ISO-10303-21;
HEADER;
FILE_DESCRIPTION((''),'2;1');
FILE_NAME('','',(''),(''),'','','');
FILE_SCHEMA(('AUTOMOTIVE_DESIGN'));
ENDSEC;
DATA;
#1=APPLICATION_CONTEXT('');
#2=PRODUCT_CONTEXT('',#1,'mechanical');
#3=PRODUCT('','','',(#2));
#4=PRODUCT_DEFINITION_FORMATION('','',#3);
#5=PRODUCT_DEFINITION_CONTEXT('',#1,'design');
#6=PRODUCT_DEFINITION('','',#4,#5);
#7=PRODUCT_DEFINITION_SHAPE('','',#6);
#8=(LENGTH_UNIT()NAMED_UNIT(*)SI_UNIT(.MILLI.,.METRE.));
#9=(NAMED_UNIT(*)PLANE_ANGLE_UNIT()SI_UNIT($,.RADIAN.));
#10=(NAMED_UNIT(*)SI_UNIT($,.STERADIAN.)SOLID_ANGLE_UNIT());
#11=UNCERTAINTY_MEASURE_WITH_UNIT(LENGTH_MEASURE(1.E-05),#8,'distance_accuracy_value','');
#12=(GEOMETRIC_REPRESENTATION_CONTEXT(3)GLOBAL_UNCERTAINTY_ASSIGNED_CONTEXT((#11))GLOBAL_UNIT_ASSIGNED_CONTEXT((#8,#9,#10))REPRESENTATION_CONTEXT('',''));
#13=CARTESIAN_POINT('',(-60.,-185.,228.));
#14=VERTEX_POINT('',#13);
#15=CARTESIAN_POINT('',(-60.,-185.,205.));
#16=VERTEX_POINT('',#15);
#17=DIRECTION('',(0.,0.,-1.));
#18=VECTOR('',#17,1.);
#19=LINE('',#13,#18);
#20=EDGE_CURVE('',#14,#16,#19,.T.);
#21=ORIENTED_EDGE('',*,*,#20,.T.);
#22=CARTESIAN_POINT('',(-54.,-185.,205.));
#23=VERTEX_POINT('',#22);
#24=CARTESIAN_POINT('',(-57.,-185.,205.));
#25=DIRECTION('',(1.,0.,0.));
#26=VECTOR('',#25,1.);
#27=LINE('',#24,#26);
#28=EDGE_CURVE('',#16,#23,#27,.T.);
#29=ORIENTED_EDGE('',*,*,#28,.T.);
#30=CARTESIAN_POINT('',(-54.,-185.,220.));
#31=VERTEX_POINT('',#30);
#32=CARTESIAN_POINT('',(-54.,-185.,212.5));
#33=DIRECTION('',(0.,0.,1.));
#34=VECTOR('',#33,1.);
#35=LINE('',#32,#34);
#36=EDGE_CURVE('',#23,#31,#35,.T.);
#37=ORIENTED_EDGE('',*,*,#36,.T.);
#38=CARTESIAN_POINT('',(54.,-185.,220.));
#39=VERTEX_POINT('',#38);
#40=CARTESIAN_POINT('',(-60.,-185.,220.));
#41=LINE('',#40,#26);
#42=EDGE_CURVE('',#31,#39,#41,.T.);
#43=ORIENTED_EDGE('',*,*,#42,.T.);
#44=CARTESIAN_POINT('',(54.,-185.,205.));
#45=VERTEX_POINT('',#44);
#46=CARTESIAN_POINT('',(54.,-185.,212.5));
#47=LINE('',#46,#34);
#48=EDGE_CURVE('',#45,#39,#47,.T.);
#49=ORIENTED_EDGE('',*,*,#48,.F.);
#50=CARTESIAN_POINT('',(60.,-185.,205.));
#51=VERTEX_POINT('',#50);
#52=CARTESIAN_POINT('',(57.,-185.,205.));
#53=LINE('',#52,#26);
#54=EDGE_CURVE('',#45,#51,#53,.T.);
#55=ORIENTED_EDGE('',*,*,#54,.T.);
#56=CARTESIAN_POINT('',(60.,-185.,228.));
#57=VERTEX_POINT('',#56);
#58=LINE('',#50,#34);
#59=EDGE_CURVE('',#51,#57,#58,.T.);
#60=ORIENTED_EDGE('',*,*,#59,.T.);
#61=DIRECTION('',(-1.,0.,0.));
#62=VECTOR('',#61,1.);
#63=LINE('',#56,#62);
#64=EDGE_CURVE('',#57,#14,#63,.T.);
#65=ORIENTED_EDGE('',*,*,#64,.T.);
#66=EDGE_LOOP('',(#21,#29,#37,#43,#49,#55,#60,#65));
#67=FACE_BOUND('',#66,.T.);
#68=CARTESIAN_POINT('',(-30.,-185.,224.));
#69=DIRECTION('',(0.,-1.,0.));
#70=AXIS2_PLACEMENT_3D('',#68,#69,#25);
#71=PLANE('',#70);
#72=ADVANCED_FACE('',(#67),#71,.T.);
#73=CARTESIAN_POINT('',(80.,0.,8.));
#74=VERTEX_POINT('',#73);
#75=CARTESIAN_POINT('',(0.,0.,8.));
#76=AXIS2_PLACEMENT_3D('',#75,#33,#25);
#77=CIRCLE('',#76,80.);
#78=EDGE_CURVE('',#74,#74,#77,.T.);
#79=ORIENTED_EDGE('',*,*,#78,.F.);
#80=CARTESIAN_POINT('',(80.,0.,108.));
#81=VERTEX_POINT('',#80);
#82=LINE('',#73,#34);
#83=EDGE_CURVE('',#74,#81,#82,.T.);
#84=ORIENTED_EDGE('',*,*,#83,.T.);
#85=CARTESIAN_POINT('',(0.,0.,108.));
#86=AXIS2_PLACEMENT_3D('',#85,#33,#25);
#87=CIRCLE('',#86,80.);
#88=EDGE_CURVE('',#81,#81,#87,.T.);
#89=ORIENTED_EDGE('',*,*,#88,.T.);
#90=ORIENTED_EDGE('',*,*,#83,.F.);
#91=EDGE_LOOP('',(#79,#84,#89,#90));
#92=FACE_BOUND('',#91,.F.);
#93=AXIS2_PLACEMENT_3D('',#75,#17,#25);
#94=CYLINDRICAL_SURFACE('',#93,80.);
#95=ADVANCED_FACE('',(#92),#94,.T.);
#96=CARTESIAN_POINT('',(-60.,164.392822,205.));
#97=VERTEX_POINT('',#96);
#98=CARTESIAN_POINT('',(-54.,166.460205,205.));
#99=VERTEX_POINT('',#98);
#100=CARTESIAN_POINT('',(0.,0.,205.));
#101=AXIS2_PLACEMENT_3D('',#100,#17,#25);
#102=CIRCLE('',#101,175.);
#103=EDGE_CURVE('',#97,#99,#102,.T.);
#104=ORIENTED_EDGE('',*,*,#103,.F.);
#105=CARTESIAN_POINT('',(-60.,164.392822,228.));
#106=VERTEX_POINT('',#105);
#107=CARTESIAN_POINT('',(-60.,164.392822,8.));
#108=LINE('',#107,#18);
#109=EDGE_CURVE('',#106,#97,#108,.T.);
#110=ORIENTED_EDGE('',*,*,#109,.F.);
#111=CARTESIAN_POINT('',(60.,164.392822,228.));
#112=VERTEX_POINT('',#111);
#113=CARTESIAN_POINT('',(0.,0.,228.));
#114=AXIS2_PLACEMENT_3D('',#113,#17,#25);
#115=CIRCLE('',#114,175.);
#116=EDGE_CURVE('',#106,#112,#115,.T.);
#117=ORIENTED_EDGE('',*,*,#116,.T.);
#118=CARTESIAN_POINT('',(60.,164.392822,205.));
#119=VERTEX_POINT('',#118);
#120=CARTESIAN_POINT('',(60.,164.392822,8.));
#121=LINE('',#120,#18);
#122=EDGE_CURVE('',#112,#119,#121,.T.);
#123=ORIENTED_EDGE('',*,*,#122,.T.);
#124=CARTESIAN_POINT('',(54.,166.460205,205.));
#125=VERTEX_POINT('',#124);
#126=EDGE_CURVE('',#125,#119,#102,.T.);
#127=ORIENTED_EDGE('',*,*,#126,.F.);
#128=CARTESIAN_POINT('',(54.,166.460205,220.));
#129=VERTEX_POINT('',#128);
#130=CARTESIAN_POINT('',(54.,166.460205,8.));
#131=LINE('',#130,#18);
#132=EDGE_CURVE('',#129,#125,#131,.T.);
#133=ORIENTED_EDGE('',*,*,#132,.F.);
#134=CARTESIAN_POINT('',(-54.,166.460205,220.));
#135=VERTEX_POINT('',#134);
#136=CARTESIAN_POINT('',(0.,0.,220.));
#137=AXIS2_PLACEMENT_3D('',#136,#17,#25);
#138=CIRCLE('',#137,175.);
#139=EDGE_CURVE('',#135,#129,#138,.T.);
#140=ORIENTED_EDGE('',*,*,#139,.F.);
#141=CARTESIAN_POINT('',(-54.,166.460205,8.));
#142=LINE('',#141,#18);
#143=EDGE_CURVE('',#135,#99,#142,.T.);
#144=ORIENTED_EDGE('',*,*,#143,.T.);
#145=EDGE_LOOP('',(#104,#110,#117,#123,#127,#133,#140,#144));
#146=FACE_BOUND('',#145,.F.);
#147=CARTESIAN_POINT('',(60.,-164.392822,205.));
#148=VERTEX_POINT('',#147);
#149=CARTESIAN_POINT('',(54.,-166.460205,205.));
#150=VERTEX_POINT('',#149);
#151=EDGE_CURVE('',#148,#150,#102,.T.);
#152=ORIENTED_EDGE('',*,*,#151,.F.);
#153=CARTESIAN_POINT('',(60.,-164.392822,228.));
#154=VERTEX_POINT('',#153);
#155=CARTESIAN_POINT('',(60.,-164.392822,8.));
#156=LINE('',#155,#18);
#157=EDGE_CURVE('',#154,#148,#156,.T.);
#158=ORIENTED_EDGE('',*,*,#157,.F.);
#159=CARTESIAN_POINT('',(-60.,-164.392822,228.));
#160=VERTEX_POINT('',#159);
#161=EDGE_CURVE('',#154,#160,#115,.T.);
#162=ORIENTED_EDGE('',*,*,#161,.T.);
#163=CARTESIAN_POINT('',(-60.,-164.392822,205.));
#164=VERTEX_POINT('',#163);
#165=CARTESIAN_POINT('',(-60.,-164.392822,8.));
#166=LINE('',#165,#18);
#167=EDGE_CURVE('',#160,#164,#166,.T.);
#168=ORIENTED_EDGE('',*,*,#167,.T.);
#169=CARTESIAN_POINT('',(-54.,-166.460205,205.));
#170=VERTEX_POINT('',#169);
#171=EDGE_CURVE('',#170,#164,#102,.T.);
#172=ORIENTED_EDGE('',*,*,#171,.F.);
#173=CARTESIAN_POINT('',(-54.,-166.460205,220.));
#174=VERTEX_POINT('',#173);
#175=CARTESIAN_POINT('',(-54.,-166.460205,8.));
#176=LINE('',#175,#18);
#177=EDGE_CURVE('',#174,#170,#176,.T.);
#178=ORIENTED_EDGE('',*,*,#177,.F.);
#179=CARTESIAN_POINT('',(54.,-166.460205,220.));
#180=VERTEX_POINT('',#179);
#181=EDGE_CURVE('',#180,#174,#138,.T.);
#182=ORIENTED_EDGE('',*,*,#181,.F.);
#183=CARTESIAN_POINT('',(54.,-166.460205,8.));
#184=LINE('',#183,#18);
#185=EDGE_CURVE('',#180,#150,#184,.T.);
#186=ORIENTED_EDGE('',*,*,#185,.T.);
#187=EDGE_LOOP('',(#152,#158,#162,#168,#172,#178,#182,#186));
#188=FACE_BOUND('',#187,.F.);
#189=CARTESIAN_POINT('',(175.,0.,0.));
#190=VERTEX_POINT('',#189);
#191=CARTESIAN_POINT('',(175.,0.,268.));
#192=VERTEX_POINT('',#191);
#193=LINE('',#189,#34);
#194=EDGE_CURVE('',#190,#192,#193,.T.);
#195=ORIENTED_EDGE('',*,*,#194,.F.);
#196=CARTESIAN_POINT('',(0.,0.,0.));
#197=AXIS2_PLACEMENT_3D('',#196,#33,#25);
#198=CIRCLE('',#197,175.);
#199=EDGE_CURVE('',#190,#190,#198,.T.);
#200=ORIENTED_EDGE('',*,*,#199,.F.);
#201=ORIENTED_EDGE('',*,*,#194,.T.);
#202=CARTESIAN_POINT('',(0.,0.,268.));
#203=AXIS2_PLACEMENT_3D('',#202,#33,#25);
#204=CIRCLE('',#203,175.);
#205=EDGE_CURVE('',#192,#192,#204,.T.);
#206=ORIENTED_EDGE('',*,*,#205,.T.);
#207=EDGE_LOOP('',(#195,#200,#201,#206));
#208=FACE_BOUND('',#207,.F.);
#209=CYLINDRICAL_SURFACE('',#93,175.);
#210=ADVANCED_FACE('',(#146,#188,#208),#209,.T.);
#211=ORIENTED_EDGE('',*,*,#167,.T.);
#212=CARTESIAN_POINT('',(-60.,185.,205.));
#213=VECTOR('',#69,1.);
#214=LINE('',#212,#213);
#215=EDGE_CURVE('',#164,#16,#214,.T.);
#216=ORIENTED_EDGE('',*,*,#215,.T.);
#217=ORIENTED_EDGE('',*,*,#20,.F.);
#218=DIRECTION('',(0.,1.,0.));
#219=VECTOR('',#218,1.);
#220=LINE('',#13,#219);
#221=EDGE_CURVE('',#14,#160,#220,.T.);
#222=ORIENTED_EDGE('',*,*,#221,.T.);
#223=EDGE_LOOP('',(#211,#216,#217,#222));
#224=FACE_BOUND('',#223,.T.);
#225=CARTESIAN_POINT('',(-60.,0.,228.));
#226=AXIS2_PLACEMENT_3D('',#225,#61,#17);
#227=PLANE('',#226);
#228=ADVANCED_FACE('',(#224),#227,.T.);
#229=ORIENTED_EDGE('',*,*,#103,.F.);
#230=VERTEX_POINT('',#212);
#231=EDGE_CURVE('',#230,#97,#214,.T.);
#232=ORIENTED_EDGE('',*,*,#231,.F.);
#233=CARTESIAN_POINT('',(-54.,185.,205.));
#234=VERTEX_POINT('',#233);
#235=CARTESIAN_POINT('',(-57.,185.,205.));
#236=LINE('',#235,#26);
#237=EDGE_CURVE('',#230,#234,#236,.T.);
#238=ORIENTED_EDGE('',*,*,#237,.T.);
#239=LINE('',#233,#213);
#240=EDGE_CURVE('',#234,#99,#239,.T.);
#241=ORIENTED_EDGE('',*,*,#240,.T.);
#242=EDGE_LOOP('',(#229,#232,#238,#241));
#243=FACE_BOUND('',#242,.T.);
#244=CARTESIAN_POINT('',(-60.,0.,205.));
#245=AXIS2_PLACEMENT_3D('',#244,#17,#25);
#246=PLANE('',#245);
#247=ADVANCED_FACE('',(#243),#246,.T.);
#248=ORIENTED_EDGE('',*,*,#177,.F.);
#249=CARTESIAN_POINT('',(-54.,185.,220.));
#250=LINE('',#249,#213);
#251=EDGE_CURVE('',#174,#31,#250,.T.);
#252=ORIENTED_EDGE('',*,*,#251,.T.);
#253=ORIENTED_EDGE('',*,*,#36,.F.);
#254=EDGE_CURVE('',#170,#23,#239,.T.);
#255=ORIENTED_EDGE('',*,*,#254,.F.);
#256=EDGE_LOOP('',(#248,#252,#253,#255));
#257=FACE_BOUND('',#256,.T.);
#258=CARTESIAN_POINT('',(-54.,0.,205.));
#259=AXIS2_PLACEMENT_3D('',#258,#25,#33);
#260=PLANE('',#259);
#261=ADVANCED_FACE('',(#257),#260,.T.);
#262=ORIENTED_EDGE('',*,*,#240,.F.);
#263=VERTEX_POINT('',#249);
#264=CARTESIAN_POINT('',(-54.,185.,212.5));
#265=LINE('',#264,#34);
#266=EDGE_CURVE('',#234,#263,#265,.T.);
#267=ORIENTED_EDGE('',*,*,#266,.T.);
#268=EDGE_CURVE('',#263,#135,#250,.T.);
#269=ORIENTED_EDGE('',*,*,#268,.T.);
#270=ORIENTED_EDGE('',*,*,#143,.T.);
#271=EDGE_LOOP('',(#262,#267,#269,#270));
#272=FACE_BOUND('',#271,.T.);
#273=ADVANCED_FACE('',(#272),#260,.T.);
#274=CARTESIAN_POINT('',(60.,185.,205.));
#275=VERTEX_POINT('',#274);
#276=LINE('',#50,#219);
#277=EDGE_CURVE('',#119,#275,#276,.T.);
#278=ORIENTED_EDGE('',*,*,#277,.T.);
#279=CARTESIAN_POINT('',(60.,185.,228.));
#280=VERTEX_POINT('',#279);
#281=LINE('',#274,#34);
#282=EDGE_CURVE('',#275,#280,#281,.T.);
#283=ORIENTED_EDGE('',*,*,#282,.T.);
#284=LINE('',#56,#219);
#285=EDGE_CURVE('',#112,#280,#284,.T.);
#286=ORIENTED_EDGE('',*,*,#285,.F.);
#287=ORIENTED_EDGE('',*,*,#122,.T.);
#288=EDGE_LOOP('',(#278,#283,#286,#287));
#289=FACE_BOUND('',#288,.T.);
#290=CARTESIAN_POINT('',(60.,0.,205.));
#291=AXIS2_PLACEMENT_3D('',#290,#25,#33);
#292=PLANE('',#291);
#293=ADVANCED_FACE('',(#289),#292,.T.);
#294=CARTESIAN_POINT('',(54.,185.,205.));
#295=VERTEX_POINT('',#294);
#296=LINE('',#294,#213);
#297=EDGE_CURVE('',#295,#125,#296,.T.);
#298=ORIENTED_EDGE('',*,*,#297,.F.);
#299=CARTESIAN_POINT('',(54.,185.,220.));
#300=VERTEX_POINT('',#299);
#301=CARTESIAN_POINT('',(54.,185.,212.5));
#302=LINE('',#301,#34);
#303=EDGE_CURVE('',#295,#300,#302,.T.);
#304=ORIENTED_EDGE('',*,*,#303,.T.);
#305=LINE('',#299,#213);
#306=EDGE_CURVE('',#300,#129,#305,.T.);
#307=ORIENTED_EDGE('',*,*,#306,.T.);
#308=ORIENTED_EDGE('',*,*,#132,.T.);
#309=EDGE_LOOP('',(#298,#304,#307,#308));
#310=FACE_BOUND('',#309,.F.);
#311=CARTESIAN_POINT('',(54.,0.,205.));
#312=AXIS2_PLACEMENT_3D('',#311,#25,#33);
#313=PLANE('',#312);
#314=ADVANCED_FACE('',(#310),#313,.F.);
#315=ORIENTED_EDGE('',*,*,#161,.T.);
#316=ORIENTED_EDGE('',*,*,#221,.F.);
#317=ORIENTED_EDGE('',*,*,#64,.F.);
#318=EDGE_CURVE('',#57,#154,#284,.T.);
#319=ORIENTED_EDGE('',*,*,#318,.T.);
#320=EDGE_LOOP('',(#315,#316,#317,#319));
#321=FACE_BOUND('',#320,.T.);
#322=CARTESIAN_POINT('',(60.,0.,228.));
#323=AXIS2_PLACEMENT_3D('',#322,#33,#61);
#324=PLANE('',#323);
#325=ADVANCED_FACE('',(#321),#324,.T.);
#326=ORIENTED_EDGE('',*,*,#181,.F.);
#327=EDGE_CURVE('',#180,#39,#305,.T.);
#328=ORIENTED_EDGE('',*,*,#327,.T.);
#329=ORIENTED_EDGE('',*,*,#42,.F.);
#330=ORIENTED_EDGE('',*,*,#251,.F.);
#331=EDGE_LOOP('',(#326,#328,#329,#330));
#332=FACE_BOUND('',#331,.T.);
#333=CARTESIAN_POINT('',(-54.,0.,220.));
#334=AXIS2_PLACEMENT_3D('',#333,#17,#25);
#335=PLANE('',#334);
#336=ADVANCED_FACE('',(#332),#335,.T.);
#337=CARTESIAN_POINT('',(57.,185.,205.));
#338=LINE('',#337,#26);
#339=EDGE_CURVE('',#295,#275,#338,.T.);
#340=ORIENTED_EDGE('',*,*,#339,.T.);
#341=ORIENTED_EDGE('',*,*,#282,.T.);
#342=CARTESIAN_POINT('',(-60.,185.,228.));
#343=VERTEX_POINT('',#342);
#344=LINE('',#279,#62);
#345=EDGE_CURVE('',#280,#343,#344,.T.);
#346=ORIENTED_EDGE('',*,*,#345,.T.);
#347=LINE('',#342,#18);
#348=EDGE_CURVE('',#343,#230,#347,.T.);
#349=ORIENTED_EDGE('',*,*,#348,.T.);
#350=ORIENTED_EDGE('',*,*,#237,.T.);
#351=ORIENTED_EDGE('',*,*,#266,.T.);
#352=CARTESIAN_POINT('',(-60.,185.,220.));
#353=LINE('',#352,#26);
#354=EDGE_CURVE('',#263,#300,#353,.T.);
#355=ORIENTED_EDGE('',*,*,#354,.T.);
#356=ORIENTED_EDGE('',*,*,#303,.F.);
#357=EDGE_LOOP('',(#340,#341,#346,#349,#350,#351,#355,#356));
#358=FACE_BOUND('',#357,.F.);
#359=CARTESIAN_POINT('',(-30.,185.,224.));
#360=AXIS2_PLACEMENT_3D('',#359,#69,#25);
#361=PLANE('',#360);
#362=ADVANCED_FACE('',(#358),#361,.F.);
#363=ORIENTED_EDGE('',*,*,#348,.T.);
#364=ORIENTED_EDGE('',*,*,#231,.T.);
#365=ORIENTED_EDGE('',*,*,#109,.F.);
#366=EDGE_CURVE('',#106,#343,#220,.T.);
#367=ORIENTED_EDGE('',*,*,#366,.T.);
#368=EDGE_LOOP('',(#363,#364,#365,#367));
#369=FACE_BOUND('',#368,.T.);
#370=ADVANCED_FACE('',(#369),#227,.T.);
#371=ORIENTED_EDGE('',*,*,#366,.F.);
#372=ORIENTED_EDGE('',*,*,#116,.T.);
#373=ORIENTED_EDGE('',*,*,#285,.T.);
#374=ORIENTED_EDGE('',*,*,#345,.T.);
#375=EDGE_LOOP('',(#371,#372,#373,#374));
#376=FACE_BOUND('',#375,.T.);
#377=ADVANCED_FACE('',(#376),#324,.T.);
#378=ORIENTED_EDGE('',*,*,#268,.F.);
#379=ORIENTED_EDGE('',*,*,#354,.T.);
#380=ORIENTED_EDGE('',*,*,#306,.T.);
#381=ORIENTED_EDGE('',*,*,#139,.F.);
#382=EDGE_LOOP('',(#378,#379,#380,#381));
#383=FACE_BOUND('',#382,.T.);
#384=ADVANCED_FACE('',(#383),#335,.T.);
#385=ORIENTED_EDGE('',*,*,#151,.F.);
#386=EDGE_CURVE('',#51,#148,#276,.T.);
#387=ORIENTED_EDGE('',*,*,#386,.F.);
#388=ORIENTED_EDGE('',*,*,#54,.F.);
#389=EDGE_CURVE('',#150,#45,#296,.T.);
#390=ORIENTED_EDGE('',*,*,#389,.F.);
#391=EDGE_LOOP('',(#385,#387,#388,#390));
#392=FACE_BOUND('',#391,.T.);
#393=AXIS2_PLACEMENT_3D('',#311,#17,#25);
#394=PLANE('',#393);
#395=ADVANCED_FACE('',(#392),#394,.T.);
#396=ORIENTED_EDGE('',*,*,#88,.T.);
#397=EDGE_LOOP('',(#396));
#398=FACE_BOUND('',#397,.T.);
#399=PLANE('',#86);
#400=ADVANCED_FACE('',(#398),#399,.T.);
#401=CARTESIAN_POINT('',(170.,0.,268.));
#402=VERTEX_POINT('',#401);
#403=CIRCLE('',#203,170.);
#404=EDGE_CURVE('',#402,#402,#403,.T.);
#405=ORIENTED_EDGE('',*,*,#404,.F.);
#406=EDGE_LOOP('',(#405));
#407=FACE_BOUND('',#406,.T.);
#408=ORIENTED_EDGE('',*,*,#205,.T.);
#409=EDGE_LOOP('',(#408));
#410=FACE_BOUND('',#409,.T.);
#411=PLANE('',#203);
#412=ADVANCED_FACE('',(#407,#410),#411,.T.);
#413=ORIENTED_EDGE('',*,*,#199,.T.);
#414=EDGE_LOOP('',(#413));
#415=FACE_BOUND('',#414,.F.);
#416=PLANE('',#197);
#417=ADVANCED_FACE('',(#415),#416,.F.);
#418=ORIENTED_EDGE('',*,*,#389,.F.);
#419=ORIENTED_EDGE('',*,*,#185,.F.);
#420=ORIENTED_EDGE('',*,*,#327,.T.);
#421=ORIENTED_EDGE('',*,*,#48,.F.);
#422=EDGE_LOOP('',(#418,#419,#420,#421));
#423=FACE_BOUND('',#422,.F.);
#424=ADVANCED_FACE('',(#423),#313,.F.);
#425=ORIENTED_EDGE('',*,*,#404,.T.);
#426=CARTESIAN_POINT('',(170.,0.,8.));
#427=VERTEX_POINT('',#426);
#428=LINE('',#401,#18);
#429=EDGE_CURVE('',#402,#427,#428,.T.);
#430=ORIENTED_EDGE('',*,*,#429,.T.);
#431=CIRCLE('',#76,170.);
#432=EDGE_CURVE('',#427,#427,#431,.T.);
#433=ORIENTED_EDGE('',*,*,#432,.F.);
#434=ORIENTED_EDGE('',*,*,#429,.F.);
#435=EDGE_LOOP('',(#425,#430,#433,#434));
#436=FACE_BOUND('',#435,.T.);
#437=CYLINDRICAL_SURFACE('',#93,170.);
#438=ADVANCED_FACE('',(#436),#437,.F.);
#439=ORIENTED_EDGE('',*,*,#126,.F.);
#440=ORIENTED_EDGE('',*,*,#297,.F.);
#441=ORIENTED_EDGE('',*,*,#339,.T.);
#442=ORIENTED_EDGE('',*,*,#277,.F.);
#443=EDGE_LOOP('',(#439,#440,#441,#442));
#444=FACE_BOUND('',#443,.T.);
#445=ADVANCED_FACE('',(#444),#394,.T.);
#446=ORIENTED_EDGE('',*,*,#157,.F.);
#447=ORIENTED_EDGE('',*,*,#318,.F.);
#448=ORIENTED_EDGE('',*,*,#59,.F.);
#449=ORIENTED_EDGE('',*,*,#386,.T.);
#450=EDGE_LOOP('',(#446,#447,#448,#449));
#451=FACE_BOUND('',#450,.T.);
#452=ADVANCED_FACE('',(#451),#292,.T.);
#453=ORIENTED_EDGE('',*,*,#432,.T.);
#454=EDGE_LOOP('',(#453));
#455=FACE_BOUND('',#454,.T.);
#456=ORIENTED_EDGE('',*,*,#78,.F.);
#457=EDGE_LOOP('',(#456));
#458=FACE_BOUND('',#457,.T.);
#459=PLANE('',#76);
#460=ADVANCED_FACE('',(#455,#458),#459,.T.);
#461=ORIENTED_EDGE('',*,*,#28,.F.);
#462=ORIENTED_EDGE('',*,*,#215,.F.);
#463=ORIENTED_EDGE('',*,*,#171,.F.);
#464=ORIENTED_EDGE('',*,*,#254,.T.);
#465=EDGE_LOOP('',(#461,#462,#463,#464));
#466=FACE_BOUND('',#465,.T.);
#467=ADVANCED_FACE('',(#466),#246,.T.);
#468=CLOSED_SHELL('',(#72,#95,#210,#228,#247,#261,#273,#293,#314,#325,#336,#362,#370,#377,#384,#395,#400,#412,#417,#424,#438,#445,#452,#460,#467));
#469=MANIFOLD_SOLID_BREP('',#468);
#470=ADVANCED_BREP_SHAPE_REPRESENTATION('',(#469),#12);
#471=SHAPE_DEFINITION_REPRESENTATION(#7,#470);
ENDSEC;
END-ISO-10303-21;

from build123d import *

# Parameters (mm, degrees)
F0_R     = 175
F1_DEPTH = 8
F2_R     = 175
F2_R_2   = 170
F3_DEPTH = 260
F4_R     = 80
F5_DEPTH = 100
F6_W     = 6
F6_H     = 15
F7_DEPTH = 185
F8_R     = 170
F9_DEPTH = 100


with BuildPart() as f1:
    # F0 (on Top) → F1 (new body)
    with BuildSketch(Plane.XY):
        Circle(F0_R)
    extrude(amount=F1_DEPTH)

    # F2 (on face) → F3 (join)
    with BuildSketch(Plane.XY.offset(8)):
        Circle(F2_R)
        Circle(F2_R_2, mode=Mode.SUBTRACT)
    extrude(amount=F3_DEPTH)

    # F4 (on face) → F5 (join)
    with BuildSketch(Plane.XY.offset(8)):
        Circle(F4_R)
    extrude(amount=F5_DEPTH)

    # F6 (on Front) → F7 (join, symmetric)
    with BuildSketch(Plane.XZ):
        Polygon((-54, 220), (0, 220), (0, 228), (-60, 228), (-60, 220), align=None)
        Polygon((0, 228), (0, 220), (54, 220), (60, 220), (60, 228), align=None)
        with Locations((-57, 212.5)):
            Rectangle(F6_W, F6_H)
        with Locations((57, 212.5)):
            Rectangle(F6_W, F6_H)
    extrude(amount=F7_DEPTH, both=True)

    # F8 (on face) → F9 (cut)
    with BuildSketch(Plane.XY.offset(268)):
        Circle(F8_R)
    extrude(amount=-F9_DEPTH, mode=Mode.SUBTRACT)


solid = f1.part
